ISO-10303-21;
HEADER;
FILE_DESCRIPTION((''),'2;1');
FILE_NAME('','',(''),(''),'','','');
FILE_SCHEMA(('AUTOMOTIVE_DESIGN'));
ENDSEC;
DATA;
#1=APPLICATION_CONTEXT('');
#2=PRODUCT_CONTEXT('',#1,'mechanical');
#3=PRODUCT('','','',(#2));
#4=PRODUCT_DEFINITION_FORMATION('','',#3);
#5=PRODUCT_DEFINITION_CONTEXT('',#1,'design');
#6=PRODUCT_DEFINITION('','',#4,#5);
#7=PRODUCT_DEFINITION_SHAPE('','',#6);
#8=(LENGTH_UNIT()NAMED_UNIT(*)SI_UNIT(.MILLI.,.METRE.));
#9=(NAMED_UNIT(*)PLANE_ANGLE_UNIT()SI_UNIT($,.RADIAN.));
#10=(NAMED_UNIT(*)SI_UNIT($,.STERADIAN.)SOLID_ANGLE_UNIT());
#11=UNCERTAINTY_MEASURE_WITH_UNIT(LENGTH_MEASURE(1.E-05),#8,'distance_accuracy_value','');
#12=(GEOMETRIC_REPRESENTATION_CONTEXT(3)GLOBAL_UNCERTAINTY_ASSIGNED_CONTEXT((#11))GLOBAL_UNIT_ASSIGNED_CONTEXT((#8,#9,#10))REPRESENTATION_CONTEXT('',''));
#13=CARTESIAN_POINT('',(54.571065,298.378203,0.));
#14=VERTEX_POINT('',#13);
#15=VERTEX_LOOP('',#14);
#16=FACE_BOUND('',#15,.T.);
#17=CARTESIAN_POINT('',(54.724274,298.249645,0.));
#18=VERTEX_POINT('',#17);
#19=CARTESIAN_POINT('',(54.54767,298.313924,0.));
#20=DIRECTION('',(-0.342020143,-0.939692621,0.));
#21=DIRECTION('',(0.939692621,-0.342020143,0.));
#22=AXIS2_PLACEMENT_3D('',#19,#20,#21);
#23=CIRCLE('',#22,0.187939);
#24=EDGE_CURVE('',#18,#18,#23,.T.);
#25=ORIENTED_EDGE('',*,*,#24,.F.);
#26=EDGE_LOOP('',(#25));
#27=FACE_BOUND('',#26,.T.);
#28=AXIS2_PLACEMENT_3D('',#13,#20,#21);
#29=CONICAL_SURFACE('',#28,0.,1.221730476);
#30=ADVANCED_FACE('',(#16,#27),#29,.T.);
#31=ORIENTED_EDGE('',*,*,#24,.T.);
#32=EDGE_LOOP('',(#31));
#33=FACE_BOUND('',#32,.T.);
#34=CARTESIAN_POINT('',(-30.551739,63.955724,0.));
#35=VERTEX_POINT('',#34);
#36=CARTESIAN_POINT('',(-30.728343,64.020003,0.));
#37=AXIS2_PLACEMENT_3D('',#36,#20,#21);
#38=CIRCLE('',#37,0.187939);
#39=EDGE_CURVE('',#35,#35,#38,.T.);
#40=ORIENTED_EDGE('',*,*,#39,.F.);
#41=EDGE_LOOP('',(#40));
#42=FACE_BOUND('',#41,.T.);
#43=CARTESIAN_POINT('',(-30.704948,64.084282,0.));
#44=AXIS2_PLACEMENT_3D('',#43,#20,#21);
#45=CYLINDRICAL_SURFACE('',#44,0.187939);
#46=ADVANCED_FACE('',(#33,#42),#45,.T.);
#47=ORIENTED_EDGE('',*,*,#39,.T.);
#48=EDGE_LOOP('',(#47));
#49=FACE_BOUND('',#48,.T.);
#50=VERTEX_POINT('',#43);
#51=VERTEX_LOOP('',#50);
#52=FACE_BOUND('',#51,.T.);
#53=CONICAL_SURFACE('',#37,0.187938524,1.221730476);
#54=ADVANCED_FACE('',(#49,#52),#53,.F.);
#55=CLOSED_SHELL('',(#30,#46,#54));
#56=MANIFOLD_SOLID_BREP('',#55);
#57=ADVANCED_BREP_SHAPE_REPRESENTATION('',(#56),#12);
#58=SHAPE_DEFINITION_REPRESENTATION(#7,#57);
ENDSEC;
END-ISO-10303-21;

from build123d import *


with BuildPart() as part:
    # Sketch1 → Revolve1 (revolve)
    with BuildSketch(Plane.XY):
        Polygon((54.371065375, 298.378202546), (-30.904947918, 64.0842816), (-30.704947918, 64.0842816), (54.571065375, 298.378202546), align=None)
    revolve(axis=Axis((-30.704947918, 64.0842816, 0), (0.342020143, 0.939692621, 0)))


solid = part.part
